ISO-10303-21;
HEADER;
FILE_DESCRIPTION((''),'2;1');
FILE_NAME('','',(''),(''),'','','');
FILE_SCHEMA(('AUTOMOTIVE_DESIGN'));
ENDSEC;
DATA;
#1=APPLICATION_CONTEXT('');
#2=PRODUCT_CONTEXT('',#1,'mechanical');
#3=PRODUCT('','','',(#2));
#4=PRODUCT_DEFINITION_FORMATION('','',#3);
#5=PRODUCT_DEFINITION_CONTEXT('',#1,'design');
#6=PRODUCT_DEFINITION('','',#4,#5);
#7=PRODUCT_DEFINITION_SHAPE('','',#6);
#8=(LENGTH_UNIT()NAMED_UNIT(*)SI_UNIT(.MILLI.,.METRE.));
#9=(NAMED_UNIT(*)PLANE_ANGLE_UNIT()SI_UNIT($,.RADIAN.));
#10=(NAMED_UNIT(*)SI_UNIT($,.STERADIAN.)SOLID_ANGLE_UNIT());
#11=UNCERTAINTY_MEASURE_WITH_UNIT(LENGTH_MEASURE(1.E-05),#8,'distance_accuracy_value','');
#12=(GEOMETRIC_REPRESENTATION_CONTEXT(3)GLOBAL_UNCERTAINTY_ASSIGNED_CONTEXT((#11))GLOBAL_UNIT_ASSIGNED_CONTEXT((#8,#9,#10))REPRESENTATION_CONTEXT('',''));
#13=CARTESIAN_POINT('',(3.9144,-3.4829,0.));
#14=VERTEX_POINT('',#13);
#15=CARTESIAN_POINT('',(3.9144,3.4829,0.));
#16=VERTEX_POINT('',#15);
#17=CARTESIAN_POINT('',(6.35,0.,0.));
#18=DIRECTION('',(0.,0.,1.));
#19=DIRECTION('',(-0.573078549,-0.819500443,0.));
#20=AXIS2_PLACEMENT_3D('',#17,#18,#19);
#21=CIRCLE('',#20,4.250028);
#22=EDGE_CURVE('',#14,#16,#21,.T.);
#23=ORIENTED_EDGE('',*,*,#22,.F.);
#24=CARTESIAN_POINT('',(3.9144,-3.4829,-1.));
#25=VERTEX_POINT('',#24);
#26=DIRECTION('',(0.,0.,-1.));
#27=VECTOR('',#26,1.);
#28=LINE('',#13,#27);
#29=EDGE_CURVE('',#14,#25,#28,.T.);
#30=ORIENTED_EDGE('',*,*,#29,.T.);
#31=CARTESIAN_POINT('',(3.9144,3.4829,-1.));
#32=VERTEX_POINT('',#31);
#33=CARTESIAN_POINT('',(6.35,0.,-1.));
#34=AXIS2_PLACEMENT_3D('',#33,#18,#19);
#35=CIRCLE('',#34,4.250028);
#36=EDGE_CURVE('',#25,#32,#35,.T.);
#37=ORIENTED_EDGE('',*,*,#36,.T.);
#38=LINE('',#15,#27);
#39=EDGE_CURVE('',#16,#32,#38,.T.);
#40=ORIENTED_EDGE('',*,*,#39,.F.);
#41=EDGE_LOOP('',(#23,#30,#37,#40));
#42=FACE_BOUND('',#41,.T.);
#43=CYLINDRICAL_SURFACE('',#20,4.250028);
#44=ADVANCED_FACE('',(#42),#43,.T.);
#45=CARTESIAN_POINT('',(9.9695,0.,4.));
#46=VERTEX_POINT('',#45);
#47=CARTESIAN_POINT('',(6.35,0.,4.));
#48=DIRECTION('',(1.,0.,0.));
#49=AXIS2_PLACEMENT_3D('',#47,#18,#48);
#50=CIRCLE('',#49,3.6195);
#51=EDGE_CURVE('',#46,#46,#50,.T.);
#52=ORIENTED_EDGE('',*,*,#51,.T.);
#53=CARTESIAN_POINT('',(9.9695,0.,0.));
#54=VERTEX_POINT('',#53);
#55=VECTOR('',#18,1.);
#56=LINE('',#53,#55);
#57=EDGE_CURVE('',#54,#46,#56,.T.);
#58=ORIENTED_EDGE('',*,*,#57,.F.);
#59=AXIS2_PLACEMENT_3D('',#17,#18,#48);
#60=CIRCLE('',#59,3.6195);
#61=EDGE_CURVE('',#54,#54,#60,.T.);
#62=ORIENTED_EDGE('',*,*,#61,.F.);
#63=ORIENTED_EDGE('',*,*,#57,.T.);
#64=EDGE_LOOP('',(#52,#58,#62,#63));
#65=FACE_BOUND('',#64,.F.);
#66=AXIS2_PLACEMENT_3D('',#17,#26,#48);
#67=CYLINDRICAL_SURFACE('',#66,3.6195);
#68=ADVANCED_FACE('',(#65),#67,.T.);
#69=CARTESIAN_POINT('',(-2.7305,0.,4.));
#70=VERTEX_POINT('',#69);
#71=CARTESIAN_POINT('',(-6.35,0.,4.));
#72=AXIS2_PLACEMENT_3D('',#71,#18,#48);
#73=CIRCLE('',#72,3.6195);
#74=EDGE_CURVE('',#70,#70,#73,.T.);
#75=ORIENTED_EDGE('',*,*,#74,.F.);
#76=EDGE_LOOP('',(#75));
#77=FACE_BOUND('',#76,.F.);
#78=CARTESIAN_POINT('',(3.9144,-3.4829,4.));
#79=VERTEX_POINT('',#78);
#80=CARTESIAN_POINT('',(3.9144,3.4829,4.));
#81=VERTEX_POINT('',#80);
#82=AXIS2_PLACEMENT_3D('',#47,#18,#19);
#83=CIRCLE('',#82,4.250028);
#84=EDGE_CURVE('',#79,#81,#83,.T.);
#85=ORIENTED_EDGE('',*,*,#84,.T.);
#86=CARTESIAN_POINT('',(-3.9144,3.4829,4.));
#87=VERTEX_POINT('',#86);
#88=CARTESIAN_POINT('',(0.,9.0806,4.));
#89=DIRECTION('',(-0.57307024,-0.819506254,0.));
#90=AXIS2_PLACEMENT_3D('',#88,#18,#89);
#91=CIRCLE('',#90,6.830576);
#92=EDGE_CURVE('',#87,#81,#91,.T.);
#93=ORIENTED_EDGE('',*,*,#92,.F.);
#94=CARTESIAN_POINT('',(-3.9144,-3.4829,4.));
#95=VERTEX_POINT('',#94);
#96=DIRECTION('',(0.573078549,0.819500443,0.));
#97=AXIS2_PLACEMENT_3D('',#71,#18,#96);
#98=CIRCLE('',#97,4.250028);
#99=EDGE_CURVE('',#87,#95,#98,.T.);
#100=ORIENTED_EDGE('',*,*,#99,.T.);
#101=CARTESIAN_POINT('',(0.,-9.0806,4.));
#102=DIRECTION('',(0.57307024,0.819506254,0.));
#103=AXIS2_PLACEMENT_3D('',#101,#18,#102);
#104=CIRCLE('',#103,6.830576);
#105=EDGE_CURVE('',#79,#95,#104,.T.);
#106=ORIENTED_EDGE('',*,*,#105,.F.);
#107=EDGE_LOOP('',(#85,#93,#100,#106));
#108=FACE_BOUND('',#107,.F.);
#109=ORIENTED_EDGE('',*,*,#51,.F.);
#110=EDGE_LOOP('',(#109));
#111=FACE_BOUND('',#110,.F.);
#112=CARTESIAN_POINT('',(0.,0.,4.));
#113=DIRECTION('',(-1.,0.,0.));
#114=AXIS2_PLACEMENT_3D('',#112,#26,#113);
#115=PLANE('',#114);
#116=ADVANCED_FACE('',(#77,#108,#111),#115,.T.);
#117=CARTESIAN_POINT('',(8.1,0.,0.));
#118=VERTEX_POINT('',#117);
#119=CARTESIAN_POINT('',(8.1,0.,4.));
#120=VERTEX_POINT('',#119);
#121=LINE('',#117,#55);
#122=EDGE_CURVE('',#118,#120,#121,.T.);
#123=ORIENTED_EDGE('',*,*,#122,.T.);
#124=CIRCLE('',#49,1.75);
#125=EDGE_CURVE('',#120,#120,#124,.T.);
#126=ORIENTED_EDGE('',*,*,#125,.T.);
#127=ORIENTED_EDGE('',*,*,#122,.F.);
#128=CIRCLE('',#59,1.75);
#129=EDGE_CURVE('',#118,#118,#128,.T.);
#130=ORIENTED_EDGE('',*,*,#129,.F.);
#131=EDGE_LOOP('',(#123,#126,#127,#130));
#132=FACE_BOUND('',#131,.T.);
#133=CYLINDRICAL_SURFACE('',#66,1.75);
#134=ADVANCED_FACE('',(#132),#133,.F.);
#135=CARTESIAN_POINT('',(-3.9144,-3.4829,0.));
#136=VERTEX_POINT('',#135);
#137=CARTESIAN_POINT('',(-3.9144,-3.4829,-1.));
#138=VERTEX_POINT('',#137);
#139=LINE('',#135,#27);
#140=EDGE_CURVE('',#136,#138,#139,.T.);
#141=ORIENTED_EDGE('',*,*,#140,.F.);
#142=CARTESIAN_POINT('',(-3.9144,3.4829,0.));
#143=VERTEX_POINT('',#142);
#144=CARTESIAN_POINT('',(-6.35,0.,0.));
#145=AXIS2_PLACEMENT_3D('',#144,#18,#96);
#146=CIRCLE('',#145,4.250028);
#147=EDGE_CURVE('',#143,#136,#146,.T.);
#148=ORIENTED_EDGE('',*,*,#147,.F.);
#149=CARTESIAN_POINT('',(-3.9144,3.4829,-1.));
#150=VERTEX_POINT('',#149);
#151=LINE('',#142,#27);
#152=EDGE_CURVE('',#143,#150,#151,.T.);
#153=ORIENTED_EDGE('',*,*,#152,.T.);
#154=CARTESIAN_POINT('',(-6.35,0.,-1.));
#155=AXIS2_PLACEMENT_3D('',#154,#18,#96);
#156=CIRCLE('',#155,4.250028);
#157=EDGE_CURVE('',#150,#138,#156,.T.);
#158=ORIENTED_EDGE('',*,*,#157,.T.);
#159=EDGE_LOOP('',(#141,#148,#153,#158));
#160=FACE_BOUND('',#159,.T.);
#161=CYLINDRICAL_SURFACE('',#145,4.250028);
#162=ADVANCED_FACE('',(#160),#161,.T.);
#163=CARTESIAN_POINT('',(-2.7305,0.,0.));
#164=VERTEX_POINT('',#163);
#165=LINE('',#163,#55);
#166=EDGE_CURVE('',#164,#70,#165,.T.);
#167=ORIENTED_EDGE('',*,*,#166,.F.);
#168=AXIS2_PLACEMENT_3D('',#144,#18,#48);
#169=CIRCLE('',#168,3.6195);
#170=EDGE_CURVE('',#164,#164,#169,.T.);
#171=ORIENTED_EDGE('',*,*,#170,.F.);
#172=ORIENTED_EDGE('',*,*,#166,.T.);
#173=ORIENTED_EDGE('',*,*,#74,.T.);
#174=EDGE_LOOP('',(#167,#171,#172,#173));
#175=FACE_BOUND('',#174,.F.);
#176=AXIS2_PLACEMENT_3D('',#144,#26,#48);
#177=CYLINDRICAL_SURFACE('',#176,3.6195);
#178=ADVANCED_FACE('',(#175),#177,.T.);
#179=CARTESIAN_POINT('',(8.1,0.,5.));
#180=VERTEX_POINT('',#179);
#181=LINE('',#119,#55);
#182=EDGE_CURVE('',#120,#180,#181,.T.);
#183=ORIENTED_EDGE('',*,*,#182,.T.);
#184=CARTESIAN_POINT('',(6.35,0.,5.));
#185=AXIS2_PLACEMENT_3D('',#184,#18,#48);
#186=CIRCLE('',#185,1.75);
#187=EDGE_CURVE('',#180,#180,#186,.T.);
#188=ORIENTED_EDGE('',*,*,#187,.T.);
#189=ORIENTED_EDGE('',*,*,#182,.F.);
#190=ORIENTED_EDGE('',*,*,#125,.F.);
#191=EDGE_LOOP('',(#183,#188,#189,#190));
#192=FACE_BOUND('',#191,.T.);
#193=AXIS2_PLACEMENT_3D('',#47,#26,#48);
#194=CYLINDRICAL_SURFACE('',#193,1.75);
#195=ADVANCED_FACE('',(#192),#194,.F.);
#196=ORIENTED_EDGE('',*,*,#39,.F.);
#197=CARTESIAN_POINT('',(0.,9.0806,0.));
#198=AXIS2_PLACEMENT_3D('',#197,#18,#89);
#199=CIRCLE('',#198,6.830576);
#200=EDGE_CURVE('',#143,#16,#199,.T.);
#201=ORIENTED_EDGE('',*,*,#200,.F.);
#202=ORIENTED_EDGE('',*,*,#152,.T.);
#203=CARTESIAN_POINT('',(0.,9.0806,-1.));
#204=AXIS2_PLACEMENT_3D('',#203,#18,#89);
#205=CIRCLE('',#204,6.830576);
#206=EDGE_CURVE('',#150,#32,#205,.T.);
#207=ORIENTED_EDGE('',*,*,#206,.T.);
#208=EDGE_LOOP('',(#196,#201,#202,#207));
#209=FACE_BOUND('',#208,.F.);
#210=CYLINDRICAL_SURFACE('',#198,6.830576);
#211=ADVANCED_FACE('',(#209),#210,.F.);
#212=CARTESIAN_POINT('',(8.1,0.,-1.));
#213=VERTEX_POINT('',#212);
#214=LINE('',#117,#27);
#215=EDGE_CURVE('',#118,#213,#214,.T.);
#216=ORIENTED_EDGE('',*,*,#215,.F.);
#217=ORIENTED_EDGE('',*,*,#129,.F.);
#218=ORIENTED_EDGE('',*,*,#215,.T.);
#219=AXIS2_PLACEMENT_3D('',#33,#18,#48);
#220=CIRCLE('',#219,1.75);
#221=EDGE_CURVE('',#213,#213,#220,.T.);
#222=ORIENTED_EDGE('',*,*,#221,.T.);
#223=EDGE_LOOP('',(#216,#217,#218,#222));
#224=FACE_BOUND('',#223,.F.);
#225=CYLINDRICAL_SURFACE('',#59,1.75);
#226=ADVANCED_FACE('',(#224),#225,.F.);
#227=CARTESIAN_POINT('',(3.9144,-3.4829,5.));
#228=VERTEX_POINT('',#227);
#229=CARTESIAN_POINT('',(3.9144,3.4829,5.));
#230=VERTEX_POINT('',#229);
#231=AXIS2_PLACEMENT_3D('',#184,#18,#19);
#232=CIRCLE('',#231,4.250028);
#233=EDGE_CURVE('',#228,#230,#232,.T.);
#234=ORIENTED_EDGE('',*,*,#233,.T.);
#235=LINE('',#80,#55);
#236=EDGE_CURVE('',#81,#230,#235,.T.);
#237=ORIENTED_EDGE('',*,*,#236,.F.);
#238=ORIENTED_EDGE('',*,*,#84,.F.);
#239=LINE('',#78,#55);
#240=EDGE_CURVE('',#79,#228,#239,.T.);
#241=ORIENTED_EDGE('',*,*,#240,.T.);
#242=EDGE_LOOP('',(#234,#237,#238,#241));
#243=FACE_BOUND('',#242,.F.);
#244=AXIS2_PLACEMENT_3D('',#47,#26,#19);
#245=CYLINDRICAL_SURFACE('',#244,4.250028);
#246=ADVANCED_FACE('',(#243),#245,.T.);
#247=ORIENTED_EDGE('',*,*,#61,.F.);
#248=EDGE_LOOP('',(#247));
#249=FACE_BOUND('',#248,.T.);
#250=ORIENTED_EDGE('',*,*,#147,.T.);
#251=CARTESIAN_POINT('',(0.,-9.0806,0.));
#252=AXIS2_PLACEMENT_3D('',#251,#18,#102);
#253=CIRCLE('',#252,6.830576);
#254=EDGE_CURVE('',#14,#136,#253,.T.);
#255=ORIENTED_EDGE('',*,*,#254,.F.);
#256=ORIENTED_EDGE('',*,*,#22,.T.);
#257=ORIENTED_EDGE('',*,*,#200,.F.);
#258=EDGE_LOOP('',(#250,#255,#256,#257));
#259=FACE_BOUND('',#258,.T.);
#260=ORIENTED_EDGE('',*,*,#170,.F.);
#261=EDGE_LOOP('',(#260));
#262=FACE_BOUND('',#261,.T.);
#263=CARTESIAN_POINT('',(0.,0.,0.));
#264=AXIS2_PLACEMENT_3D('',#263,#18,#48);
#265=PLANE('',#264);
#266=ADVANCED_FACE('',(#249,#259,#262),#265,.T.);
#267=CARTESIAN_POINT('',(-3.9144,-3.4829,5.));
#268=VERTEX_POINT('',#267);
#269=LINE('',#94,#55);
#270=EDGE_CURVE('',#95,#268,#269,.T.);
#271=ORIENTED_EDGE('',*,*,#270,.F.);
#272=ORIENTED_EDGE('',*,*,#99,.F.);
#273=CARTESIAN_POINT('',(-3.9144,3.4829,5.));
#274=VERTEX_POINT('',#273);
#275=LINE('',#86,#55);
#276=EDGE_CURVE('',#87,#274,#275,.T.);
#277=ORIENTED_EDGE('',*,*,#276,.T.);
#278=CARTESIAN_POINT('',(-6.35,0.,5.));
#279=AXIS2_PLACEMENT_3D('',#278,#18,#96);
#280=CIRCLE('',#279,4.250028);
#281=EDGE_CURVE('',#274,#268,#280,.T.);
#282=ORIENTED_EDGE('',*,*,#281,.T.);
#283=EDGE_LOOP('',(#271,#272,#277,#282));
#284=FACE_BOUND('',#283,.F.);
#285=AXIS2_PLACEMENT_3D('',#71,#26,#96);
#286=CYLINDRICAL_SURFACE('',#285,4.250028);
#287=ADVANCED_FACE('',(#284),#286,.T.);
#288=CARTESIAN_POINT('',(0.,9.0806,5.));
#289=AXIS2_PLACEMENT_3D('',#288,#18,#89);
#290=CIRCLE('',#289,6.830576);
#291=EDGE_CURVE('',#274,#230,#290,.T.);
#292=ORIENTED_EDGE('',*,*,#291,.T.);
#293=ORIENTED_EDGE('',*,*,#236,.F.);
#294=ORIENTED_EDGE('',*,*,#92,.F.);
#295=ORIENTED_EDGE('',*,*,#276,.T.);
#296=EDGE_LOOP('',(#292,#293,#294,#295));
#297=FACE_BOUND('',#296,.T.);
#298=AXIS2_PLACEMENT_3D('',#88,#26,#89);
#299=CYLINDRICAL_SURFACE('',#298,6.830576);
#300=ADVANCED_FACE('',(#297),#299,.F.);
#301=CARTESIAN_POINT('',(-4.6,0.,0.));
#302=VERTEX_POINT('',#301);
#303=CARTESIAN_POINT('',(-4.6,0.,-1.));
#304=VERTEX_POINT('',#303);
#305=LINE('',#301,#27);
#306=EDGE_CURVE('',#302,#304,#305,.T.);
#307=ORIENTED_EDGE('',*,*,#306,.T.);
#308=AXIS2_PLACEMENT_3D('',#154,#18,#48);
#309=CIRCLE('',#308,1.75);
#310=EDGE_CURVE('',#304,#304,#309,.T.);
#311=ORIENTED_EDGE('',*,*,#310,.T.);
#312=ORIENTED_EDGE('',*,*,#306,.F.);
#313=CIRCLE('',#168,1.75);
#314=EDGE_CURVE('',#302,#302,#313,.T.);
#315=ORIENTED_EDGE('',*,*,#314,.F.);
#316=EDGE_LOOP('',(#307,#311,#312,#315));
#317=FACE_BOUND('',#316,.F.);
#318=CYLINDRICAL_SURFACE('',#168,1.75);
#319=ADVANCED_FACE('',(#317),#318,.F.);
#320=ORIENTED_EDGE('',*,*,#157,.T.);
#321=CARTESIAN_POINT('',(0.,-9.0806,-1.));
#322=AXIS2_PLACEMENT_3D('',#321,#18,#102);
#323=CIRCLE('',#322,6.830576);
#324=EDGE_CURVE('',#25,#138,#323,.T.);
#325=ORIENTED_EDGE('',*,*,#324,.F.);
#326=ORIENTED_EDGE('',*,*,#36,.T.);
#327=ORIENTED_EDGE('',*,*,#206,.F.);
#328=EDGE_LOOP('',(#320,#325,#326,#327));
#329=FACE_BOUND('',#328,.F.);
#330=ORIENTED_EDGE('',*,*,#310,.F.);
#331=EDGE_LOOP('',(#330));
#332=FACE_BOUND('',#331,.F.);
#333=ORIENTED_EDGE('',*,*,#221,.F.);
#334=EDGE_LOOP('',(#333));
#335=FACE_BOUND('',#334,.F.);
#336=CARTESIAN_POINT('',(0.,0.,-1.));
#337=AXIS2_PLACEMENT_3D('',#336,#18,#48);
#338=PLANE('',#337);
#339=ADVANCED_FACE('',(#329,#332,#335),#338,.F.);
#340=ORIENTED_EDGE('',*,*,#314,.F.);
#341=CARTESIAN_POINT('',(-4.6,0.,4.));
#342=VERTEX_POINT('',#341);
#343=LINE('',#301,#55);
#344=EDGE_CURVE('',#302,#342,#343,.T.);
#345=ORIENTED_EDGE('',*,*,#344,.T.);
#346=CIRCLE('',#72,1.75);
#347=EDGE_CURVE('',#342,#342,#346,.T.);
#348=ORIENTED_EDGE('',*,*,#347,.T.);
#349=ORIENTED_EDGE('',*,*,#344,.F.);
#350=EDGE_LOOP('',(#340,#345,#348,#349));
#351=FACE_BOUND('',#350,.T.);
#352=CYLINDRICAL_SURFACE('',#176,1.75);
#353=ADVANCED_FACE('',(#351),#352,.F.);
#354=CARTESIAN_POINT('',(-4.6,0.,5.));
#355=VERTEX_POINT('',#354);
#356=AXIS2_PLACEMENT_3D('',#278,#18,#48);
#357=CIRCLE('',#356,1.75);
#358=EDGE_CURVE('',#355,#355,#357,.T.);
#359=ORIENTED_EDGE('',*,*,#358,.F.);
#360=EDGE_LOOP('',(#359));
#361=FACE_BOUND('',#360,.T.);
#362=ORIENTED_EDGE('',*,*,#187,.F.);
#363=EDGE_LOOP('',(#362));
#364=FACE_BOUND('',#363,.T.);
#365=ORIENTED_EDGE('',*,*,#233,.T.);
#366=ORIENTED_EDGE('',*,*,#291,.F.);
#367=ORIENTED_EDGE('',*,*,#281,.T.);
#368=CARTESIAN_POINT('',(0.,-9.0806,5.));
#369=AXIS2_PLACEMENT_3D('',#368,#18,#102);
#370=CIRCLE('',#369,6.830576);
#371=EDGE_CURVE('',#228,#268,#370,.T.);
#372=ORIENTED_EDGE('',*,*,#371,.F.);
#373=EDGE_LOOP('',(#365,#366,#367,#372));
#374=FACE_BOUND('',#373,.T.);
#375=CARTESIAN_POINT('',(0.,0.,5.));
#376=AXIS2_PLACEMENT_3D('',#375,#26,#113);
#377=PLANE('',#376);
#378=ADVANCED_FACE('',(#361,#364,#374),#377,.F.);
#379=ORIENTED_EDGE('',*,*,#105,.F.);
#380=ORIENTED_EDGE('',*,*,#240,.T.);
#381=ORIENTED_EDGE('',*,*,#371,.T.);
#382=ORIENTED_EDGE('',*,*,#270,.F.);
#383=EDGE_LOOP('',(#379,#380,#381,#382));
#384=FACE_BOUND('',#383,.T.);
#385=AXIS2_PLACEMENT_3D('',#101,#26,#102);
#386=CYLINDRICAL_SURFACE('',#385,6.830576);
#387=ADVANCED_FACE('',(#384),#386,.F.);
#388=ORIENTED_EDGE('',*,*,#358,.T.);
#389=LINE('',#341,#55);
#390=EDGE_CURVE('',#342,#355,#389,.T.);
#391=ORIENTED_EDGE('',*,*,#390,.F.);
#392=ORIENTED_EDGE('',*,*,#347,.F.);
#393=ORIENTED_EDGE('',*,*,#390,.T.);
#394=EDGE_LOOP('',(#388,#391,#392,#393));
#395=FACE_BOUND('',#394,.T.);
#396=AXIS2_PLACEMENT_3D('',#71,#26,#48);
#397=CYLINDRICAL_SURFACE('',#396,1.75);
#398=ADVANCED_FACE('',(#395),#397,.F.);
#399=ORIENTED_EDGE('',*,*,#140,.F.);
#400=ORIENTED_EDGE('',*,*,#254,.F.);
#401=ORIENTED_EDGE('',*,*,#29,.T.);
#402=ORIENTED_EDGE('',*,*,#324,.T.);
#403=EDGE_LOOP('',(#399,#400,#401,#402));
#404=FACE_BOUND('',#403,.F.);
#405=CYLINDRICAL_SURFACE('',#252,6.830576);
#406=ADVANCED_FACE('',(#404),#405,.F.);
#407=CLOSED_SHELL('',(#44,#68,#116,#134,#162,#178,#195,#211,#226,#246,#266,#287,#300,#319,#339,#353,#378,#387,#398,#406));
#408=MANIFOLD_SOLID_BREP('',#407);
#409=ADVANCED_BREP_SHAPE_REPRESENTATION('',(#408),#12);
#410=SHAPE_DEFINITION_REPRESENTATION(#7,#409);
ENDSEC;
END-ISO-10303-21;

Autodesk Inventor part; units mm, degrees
ref_plane "YZ Plane" through (0, 0, 0) normal (1, 0, 0) x (0, 1, 0)
sketch "Sketch1" plane through (0, 0, 0) normal (0, 0, 1) x (1, 0, 0)
  arc A0 (-3.9144, 3.4829) -> (-3.9144, -3.4829) centre (-6.35, 0) ccw
  arc A1 (3.9144, -3.4829) -> (3.9144, 3.4829) centre (6.35, 0) ccw
  line L0 (0, 0) -> (0, 6.6345) construction
  circle A2 centre (-6.35, 0) radius 3.6195
  line L1 (-6.35, -4.25) -> (6.35, -4.25) construction
  arc A3 (3.9144, -3.4829) -> (-3.9144, -3.4829) centre (0, -9.0806) ccw
  arc A4 (-3.9144, 3.4829) -> (3.9144, 3.4829) centre (0, 9.0806) ccw
  circle A5 centre (6.35, 0) radius 3.6195
  circle A6 centre (-6.35, 0) radius 1.75
  circle A7 centre (6.35, 0) radius 1.75
  point P0 (0, -2.25)
  point P1 (0, 2.25)
  point P2 (0, -2.25)
  dimension "d0" = 12.7
  dimension "d1" = 8.5
  dimension "d2" = 8.5
  dimension "d3" = 7.239
  dimension "d5" = 4.5
  dimension "d6" = 7.239
  dimension "d7" = 3.5
  dimension "d8" = 3.5
extrude "Extrusion1" add sketch "Sketch1" against normal blind 1 contours A4 A1 A3 A0 | A2 | A5
extrude "Extrusion2" add sketch "Sketch1" along normal blind 4 contours A2 | A5
ref_plane "Work Plane1" through (0, 0, 2) normal (0, 0, 1) x (1, 0, 0)
mirror "Mirror1" about plane through (0, 0, 2) normal (0, 0, 1) of "Extrusion1"
ref_plane "Work Plane2" through (0, 9.0806, 2) normal (0, 0, 1) x (1, 0, 0)
equation "\"d2\" = d1"
equation "\"d6\" = d3"
equation "\"d7\" = d8"
properties part number "Inner Chain"
